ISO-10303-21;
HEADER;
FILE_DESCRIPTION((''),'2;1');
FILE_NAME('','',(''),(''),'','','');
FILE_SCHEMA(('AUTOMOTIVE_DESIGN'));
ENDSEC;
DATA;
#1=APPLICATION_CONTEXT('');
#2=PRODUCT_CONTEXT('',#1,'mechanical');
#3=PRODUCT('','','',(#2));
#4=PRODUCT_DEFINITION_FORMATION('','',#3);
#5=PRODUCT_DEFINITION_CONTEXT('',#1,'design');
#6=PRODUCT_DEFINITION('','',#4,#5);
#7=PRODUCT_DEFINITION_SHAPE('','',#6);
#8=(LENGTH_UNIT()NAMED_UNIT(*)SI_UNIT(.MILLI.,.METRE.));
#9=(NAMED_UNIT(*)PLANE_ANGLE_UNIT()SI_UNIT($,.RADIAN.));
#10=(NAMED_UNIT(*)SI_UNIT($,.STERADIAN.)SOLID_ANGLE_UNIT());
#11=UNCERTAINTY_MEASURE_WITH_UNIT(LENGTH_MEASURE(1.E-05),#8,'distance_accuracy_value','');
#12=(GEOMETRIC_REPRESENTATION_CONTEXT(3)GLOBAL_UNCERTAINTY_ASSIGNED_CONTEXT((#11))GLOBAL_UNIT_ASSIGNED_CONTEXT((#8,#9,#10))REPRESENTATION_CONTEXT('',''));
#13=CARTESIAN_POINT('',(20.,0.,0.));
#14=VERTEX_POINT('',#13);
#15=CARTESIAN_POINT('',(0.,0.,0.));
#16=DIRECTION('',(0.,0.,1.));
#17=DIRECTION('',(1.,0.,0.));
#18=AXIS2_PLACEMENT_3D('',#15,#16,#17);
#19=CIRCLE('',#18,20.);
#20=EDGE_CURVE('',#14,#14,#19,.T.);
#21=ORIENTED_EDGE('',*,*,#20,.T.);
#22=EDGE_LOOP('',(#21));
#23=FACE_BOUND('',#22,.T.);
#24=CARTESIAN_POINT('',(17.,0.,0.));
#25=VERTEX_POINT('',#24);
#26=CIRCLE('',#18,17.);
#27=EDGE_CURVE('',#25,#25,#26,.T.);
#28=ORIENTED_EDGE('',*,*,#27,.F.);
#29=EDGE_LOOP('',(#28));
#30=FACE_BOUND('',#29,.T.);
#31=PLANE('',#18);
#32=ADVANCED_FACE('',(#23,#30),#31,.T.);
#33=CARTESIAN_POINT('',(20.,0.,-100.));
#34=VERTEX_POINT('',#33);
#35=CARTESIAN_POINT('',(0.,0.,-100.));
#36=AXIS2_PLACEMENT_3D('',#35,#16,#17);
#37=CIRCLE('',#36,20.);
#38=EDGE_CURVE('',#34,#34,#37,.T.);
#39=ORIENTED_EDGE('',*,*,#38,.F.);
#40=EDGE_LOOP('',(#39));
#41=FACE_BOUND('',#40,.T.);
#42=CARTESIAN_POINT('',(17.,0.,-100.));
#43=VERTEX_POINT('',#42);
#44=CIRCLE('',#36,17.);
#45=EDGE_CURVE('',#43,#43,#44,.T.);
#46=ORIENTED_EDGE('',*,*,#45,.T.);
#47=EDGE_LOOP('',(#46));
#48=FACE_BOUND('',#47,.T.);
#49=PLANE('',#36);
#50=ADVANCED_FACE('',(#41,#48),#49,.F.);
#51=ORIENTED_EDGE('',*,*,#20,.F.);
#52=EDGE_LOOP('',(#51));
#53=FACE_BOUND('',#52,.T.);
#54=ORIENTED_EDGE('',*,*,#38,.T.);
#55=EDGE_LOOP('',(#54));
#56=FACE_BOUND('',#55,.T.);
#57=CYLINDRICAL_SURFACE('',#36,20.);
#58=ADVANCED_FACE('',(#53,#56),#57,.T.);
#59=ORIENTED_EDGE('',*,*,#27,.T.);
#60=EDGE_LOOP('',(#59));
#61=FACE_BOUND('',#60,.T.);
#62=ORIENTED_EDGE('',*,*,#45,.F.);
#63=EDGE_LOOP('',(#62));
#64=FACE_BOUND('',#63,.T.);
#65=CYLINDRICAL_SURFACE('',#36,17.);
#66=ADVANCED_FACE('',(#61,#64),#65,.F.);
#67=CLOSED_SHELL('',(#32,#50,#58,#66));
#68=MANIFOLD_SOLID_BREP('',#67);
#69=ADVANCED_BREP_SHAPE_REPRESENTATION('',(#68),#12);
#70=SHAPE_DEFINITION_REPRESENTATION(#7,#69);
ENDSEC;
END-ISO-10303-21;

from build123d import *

# Parameters (mm, degrees)
SKETCH_1_R      = 20
SKETCH_1_R_2    = 17
EXTRUDE_1_DEPTH = 100


with BuildPart() as part:
    # Эскиз1 → Бобышка-Вытянуть1 (new body)
    with BuildSketch(Plane.XY):
        Circle(SKETCH_1_R)
        Circle(SKETCH_1_R_2, mode=Mode.SUBTRACT)
    extrude(amount=-EXTRUDE_1_DEPTH)


solid = part.part
